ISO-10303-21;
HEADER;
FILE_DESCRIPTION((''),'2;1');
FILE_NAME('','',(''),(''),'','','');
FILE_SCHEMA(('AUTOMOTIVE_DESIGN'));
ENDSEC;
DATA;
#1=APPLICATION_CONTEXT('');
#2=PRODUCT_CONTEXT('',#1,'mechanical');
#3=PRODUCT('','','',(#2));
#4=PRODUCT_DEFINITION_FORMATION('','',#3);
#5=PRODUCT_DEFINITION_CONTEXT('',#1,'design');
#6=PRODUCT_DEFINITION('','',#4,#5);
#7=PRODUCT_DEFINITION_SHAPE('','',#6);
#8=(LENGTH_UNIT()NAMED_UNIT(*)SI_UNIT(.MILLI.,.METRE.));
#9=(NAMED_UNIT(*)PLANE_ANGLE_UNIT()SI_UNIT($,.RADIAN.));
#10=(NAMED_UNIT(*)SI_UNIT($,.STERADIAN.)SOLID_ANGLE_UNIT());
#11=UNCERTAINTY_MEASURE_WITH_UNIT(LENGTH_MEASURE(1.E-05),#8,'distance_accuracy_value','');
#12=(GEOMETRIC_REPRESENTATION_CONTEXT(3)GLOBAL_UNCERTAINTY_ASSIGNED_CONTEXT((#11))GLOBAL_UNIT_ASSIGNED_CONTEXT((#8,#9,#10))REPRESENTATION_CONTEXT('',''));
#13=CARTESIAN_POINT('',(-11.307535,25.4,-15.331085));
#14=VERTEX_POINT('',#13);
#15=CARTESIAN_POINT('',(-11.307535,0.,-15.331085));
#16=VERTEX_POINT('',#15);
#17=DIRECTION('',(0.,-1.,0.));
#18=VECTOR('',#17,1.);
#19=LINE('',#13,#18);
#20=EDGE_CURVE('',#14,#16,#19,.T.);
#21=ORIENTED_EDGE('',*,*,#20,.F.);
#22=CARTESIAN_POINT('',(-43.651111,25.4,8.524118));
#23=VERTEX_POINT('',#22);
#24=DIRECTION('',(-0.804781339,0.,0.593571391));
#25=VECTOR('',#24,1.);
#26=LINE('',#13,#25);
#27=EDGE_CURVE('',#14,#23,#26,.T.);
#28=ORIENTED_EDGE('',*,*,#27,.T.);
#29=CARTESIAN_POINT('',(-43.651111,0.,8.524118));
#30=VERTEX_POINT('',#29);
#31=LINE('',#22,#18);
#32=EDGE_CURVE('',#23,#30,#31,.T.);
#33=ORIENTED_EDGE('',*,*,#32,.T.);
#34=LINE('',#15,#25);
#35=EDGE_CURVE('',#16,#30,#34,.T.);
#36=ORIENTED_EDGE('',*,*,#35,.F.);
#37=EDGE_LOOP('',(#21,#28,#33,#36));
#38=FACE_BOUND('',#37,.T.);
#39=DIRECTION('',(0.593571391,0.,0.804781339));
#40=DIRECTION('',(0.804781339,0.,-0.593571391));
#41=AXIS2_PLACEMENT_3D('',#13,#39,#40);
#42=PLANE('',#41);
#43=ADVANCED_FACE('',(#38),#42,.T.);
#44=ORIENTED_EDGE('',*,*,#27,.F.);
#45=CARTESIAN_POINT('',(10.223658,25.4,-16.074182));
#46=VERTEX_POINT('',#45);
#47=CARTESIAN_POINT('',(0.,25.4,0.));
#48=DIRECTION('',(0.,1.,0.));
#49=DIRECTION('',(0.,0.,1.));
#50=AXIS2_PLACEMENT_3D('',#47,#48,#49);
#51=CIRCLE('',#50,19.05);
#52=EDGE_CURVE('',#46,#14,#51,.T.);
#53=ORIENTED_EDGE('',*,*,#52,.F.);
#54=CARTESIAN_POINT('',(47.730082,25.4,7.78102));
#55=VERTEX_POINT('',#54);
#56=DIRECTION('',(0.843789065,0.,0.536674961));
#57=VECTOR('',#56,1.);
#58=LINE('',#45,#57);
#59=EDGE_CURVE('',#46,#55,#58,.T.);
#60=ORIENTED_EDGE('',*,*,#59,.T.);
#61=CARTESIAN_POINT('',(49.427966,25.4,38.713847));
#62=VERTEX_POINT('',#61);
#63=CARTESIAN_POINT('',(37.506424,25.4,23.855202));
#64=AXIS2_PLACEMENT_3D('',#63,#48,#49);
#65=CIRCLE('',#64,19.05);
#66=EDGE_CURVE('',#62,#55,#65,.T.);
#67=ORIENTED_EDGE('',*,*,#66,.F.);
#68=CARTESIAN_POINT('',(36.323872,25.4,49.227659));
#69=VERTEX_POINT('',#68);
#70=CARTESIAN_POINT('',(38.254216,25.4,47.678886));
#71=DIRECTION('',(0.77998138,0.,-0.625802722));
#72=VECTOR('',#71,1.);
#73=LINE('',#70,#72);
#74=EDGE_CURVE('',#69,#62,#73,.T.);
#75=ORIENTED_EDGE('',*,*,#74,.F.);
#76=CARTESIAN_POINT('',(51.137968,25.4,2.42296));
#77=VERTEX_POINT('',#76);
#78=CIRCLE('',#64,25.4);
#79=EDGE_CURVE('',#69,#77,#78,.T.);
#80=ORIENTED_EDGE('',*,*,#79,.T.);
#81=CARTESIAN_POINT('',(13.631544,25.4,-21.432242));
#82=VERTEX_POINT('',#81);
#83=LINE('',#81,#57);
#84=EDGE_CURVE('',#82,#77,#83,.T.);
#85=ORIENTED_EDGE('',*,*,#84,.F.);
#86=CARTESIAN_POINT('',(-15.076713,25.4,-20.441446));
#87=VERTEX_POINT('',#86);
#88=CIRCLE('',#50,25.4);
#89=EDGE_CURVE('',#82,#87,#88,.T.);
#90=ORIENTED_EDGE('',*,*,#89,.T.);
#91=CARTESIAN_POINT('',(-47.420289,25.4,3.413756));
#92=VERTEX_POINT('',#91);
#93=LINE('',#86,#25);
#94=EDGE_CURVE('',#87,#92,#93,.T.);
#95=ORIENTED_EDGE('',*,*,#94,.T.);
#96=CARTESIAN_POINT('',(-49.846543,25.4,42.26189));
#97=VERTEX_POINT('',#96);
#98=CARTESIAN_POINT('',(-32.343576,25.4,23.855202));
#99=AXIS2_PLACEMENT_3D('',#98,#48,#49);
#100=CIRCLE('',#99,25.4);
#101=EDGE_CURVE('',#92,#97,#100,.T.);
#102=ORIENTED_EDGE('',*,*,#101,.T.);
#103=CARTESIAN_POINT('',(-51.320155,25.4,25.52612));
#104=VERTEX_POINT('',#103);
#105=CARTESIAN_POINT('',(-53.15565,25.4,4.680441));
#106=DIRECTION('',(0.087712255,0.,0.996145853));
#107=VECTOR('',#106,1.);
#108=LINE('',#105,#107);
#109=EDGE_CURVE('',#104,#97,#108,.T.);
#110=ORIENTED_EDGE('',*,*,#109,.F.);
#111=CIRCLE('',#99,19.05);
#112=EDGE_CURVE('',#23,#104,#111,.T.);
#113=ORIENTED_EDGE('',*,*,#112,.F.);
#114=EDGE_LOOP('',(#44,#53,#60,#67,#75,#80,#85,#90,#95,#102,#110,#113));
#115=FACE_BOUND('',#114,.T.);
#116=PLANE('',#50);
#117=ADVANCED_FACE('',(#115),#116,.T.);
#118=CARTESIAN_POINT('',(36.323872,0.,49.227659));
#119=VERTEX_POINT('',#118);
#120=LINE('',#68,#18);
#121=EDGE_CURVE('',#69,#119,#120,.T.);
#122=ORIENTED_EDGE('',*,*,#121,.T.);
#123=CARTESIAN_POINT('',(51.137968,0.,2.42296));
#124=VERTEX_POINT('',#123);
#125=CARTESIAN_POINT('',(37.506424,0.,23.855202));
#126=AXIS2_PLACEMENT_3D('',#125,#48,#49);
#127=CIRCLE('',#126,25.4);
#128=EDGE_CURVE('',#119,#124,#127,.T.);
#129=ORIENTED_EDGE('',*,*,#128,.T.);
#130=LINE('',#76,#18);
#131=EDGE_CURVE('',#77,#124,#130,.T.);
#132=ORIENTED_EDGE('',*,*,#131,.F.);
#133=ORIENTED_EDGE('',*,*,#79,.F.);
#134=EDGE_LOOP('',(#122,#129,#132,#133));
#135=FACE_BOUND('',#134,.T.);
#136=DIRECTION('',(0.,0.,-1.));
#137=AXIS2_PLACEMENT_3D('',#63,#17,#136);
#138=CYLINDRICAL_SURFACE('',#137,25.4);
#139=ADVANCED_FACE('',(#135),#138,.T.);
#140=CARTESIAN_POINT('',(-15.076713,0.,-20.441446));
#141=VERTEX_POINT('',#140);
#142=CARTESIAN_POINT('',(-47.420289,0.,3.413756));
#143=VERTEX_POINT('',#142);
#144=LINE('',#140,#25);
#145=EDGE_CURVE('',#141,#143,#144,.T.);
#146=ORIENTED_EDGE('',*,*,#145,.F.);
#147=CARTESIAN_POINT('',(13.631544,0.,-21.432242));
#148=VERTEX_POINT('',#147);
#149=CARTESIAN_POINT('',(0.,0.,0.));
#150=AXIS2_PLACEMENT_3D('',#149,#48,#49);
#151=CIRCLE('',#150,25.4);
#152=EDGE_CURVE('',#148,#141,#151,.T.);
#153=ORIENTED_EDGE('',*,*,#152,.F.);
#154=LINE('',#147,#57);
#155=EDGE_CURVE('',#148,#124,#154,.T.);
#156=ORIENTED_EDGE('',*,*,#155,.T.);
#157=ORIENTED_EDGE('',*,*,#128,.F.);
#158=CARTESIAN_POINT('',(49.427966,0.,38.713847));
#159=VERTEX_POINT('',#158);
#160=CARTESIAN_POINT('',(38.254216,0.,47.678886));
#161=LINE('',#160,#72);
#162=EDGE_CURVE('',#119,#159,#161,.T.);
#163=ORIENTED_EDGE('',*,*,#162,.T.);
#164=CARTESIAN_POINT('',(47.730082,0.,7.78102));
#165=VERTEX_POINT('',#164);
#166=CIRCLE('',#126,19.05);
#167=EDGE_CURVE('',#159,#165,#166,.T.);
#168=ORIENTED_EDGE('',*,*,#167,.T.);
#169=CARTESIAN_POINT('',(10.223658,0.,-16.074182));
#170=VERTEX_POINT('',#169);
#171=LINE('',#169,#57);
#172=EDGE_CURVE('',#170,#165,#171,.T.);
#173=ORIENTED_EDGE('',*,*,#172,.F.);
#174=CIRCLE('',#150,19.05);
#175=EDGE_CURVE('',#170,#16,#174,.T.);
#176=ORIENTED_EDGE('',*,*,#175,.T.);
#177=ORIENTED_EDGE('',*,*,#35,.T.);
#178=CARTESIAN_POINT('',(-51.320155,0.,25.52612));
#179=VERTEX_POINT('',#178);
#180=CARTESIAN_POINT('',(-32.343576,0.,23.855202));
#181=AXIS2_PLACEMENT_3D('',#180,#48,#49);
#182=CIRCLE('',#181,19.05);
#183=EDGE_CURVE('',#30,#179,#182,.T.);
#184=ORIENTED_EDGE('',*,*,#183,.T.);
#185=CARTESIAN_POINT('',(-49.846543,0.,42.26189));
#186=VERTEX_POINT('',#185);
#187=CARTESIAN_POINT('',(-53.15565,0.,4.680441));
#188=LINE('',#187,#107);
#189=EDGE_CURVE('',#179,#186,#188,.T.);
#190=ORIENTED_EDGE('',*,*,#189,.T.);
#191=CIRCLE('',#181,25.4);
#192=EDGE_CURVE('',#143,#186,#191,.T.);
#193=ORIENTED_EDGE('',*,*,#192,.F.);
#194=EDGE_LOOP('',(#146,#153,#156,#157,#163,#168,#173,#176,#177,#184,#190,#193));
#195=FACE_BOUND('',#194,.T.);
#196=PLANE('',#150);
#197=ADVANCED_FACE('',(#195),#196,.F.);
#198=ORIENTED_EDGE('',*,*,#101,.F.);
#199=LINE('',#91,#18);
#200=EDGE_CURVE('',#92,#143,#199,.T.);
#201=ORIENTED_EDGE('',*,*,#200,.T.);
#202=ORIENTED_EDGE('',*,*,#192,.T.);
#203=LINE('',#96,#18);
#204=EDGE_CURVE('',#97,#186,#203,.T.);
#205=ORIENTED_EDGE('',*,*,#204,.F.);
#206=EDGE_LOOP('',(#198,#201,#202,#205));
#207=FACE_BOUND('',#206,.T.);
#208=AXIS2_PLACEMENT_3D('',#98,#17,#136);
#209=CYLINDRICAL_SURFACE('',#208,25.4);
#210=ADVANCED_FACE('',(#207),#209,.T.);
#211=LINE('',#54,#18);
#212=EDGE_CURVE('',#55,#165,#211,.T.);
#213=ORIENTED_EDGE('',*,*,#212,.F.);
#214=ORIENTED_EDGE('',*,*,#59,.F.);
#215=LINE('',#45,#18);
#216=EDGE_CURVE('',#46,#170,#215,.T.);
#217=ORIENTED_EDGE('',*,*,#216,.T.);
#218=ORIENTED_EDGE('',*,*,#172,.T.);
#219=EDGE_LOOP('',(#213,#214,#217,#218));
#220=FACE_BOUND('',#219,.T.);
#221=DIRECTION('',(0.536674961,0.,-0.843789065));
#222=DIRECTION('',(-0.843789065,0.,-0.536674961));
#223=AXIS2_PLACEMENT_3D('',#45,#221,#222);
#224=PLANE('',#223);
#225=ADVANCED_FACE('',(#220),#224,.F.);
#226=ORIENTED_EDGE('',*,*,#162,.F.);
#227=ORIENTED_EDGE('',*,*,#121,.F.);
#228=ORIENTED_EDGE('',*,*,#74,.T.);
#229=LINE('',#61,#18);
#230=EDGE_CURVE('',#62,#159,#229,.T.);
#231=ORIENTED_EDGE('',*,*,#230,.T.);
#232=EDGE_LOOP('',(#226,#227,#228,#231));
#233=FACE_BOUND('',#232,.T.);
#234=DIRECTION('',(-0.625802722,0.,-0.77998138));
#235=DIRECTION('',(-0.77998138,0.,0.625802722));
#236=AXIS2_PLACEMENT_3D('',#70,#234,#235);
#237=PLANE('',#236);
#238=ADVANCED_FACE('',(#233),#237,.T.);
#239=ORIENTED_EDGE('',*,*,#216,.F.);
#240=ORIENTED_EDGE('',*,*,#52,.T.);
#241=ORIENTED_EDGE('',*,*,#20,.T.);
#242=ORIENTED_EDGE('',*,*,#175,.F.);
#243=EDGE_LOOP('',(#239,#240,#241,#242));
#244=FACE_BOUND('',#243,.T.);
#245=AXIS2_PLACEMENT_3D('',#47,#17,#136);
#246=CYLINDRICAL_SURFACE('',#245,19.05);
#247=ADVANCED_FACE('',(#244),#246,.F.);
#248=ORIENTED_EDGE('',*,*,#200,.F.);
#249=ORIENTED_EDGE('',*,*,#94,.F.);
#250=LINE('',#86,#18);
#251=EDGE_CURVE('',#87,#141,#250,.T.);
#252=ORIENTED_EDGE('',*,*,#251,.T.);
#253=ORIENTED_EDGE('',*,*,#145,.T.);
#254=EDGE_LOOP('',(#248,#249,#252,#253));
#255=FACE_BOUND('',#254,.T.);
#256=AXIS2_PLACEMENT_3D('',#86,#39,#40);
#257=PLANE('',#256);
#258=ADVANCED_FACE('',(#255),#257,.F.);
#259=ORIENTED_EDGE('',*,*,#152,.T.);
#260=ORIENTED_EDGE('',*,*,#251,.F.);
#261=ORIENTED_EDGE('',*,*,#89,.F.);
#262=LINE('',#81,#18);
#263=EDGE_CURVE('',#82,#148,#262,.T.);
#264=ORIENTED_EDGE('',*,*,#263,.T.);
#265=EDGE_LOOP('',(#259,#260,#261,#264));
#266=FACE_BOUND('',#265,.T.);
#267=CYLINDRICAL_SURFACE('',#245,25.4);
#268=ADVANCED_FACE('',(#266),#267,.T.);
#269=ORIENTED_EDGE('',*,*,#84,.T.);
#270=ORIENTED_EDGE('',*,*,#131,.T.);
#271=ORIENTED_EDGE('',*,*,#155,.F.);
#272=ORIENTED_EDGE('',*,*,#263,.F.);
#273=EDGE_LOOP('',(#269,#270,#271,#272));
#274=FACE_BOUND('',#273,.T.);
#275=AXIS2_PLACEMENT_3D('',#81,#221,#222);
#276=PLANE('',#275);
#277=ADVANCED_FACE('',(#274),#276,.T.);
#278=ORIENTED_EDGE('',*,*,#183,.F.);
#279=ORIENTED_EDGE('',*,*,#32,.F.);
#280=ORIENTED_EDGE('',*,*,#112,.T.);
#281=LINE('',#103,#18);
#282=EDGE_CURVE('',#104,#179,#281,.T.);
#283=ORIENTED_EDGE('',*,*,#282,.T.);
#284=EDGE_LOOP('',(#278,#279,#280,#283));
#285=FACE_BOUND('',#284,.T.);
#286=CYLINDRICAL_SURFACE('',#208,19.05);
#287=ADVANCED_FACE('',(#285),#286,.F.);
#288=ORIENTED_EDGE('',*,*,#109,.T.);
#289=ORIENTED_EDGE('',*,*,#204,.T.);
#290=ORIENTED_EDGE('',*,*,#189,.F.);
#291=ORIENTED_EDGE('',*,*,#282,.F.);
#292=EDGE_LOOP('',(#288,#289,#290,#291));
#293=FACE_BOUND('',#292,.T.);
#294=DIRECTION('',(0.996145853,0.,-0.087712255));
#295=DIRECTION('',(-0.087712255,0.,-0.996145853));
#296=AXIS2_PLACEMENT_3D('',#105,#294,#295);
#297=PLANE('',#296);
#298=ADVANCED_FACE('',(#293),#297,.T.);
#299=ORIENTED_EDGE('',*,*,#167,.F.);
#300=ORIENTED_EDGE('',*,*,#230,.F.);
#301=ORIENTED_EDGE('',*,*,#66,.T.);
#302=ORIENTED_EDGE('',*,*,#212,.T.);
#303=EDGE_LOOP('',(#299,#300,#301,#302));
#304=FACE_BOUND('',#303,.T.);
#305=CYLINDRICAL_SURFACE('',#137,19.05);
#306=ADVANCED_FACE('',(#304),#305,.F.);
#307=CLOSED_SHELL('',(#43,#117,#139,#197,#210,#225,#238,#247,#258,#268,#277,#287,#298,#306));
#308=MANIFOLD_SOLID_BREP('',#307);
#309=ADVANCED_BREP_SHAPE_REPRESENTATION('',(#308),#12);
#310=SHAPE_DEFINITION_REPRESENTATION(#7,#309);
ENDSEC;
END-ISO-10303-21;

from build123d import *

# Parameters (mm, degrees)
BOSS_EXTRUDE1_DEPTH = 25.4


with BuildPart() as part:
    # Sketch1 → Boss-Extrude1 (new body)
    with BuildSketch(Plane(origin=(0, 0, 0), x_dir=(1, 0, 0), z_dir=(0, 1, 0))):
        with BuildLine():
            ThreePointArc((-11.307534998, 15.331084511), (-0.657073574, 19.03866472), (10.223658013, 16.074181685))
            Line((10.223658013, 16.074181685), (47.730081944, -7.781020346))
            ThreePointArc((47.730081944, -7.781020346), (56.527791269, -22.811130875), (49.427965792, -38.713847313))
            Line((49.427965792, -38.713847313), (36.32387238, -49.227658983))
            ThreePointArc((36.32387238, -49.227658983), (61.722416996, -31.519775069), (51.137967948, -2.422959784))
            Line((51.137967948, -2.422959784), (13.631544017, 21.432242246))
            ThreePointArc((13.631544017, 21.432242246), (-0.876098099, 25.384886293), (-15.07671333, 20.441446014))
            Line((-15.07671333, 20.441446014), (-47.420289399, -3.413756016))
            ThreePointArc((-47.420289399, -3.413756016), (-57.694182826, -22.271934185), (-49.846542995, -42.261889641))
            Line((-49.846542995, -42.261889641), (-51.320154567, -25.526120494))
            ThreePointArc((-51.320154567, -25.526120494), (-49.708739726, -16.022348708), (-43.651111067, -8.52411752))
            Line((-43.651111067, -8.52411752), (-11.307534998, 15.331084511))
        make_face()
    extrude(amount=BOSS_EXTRUDE1_DEPTH)


solid = part.part
